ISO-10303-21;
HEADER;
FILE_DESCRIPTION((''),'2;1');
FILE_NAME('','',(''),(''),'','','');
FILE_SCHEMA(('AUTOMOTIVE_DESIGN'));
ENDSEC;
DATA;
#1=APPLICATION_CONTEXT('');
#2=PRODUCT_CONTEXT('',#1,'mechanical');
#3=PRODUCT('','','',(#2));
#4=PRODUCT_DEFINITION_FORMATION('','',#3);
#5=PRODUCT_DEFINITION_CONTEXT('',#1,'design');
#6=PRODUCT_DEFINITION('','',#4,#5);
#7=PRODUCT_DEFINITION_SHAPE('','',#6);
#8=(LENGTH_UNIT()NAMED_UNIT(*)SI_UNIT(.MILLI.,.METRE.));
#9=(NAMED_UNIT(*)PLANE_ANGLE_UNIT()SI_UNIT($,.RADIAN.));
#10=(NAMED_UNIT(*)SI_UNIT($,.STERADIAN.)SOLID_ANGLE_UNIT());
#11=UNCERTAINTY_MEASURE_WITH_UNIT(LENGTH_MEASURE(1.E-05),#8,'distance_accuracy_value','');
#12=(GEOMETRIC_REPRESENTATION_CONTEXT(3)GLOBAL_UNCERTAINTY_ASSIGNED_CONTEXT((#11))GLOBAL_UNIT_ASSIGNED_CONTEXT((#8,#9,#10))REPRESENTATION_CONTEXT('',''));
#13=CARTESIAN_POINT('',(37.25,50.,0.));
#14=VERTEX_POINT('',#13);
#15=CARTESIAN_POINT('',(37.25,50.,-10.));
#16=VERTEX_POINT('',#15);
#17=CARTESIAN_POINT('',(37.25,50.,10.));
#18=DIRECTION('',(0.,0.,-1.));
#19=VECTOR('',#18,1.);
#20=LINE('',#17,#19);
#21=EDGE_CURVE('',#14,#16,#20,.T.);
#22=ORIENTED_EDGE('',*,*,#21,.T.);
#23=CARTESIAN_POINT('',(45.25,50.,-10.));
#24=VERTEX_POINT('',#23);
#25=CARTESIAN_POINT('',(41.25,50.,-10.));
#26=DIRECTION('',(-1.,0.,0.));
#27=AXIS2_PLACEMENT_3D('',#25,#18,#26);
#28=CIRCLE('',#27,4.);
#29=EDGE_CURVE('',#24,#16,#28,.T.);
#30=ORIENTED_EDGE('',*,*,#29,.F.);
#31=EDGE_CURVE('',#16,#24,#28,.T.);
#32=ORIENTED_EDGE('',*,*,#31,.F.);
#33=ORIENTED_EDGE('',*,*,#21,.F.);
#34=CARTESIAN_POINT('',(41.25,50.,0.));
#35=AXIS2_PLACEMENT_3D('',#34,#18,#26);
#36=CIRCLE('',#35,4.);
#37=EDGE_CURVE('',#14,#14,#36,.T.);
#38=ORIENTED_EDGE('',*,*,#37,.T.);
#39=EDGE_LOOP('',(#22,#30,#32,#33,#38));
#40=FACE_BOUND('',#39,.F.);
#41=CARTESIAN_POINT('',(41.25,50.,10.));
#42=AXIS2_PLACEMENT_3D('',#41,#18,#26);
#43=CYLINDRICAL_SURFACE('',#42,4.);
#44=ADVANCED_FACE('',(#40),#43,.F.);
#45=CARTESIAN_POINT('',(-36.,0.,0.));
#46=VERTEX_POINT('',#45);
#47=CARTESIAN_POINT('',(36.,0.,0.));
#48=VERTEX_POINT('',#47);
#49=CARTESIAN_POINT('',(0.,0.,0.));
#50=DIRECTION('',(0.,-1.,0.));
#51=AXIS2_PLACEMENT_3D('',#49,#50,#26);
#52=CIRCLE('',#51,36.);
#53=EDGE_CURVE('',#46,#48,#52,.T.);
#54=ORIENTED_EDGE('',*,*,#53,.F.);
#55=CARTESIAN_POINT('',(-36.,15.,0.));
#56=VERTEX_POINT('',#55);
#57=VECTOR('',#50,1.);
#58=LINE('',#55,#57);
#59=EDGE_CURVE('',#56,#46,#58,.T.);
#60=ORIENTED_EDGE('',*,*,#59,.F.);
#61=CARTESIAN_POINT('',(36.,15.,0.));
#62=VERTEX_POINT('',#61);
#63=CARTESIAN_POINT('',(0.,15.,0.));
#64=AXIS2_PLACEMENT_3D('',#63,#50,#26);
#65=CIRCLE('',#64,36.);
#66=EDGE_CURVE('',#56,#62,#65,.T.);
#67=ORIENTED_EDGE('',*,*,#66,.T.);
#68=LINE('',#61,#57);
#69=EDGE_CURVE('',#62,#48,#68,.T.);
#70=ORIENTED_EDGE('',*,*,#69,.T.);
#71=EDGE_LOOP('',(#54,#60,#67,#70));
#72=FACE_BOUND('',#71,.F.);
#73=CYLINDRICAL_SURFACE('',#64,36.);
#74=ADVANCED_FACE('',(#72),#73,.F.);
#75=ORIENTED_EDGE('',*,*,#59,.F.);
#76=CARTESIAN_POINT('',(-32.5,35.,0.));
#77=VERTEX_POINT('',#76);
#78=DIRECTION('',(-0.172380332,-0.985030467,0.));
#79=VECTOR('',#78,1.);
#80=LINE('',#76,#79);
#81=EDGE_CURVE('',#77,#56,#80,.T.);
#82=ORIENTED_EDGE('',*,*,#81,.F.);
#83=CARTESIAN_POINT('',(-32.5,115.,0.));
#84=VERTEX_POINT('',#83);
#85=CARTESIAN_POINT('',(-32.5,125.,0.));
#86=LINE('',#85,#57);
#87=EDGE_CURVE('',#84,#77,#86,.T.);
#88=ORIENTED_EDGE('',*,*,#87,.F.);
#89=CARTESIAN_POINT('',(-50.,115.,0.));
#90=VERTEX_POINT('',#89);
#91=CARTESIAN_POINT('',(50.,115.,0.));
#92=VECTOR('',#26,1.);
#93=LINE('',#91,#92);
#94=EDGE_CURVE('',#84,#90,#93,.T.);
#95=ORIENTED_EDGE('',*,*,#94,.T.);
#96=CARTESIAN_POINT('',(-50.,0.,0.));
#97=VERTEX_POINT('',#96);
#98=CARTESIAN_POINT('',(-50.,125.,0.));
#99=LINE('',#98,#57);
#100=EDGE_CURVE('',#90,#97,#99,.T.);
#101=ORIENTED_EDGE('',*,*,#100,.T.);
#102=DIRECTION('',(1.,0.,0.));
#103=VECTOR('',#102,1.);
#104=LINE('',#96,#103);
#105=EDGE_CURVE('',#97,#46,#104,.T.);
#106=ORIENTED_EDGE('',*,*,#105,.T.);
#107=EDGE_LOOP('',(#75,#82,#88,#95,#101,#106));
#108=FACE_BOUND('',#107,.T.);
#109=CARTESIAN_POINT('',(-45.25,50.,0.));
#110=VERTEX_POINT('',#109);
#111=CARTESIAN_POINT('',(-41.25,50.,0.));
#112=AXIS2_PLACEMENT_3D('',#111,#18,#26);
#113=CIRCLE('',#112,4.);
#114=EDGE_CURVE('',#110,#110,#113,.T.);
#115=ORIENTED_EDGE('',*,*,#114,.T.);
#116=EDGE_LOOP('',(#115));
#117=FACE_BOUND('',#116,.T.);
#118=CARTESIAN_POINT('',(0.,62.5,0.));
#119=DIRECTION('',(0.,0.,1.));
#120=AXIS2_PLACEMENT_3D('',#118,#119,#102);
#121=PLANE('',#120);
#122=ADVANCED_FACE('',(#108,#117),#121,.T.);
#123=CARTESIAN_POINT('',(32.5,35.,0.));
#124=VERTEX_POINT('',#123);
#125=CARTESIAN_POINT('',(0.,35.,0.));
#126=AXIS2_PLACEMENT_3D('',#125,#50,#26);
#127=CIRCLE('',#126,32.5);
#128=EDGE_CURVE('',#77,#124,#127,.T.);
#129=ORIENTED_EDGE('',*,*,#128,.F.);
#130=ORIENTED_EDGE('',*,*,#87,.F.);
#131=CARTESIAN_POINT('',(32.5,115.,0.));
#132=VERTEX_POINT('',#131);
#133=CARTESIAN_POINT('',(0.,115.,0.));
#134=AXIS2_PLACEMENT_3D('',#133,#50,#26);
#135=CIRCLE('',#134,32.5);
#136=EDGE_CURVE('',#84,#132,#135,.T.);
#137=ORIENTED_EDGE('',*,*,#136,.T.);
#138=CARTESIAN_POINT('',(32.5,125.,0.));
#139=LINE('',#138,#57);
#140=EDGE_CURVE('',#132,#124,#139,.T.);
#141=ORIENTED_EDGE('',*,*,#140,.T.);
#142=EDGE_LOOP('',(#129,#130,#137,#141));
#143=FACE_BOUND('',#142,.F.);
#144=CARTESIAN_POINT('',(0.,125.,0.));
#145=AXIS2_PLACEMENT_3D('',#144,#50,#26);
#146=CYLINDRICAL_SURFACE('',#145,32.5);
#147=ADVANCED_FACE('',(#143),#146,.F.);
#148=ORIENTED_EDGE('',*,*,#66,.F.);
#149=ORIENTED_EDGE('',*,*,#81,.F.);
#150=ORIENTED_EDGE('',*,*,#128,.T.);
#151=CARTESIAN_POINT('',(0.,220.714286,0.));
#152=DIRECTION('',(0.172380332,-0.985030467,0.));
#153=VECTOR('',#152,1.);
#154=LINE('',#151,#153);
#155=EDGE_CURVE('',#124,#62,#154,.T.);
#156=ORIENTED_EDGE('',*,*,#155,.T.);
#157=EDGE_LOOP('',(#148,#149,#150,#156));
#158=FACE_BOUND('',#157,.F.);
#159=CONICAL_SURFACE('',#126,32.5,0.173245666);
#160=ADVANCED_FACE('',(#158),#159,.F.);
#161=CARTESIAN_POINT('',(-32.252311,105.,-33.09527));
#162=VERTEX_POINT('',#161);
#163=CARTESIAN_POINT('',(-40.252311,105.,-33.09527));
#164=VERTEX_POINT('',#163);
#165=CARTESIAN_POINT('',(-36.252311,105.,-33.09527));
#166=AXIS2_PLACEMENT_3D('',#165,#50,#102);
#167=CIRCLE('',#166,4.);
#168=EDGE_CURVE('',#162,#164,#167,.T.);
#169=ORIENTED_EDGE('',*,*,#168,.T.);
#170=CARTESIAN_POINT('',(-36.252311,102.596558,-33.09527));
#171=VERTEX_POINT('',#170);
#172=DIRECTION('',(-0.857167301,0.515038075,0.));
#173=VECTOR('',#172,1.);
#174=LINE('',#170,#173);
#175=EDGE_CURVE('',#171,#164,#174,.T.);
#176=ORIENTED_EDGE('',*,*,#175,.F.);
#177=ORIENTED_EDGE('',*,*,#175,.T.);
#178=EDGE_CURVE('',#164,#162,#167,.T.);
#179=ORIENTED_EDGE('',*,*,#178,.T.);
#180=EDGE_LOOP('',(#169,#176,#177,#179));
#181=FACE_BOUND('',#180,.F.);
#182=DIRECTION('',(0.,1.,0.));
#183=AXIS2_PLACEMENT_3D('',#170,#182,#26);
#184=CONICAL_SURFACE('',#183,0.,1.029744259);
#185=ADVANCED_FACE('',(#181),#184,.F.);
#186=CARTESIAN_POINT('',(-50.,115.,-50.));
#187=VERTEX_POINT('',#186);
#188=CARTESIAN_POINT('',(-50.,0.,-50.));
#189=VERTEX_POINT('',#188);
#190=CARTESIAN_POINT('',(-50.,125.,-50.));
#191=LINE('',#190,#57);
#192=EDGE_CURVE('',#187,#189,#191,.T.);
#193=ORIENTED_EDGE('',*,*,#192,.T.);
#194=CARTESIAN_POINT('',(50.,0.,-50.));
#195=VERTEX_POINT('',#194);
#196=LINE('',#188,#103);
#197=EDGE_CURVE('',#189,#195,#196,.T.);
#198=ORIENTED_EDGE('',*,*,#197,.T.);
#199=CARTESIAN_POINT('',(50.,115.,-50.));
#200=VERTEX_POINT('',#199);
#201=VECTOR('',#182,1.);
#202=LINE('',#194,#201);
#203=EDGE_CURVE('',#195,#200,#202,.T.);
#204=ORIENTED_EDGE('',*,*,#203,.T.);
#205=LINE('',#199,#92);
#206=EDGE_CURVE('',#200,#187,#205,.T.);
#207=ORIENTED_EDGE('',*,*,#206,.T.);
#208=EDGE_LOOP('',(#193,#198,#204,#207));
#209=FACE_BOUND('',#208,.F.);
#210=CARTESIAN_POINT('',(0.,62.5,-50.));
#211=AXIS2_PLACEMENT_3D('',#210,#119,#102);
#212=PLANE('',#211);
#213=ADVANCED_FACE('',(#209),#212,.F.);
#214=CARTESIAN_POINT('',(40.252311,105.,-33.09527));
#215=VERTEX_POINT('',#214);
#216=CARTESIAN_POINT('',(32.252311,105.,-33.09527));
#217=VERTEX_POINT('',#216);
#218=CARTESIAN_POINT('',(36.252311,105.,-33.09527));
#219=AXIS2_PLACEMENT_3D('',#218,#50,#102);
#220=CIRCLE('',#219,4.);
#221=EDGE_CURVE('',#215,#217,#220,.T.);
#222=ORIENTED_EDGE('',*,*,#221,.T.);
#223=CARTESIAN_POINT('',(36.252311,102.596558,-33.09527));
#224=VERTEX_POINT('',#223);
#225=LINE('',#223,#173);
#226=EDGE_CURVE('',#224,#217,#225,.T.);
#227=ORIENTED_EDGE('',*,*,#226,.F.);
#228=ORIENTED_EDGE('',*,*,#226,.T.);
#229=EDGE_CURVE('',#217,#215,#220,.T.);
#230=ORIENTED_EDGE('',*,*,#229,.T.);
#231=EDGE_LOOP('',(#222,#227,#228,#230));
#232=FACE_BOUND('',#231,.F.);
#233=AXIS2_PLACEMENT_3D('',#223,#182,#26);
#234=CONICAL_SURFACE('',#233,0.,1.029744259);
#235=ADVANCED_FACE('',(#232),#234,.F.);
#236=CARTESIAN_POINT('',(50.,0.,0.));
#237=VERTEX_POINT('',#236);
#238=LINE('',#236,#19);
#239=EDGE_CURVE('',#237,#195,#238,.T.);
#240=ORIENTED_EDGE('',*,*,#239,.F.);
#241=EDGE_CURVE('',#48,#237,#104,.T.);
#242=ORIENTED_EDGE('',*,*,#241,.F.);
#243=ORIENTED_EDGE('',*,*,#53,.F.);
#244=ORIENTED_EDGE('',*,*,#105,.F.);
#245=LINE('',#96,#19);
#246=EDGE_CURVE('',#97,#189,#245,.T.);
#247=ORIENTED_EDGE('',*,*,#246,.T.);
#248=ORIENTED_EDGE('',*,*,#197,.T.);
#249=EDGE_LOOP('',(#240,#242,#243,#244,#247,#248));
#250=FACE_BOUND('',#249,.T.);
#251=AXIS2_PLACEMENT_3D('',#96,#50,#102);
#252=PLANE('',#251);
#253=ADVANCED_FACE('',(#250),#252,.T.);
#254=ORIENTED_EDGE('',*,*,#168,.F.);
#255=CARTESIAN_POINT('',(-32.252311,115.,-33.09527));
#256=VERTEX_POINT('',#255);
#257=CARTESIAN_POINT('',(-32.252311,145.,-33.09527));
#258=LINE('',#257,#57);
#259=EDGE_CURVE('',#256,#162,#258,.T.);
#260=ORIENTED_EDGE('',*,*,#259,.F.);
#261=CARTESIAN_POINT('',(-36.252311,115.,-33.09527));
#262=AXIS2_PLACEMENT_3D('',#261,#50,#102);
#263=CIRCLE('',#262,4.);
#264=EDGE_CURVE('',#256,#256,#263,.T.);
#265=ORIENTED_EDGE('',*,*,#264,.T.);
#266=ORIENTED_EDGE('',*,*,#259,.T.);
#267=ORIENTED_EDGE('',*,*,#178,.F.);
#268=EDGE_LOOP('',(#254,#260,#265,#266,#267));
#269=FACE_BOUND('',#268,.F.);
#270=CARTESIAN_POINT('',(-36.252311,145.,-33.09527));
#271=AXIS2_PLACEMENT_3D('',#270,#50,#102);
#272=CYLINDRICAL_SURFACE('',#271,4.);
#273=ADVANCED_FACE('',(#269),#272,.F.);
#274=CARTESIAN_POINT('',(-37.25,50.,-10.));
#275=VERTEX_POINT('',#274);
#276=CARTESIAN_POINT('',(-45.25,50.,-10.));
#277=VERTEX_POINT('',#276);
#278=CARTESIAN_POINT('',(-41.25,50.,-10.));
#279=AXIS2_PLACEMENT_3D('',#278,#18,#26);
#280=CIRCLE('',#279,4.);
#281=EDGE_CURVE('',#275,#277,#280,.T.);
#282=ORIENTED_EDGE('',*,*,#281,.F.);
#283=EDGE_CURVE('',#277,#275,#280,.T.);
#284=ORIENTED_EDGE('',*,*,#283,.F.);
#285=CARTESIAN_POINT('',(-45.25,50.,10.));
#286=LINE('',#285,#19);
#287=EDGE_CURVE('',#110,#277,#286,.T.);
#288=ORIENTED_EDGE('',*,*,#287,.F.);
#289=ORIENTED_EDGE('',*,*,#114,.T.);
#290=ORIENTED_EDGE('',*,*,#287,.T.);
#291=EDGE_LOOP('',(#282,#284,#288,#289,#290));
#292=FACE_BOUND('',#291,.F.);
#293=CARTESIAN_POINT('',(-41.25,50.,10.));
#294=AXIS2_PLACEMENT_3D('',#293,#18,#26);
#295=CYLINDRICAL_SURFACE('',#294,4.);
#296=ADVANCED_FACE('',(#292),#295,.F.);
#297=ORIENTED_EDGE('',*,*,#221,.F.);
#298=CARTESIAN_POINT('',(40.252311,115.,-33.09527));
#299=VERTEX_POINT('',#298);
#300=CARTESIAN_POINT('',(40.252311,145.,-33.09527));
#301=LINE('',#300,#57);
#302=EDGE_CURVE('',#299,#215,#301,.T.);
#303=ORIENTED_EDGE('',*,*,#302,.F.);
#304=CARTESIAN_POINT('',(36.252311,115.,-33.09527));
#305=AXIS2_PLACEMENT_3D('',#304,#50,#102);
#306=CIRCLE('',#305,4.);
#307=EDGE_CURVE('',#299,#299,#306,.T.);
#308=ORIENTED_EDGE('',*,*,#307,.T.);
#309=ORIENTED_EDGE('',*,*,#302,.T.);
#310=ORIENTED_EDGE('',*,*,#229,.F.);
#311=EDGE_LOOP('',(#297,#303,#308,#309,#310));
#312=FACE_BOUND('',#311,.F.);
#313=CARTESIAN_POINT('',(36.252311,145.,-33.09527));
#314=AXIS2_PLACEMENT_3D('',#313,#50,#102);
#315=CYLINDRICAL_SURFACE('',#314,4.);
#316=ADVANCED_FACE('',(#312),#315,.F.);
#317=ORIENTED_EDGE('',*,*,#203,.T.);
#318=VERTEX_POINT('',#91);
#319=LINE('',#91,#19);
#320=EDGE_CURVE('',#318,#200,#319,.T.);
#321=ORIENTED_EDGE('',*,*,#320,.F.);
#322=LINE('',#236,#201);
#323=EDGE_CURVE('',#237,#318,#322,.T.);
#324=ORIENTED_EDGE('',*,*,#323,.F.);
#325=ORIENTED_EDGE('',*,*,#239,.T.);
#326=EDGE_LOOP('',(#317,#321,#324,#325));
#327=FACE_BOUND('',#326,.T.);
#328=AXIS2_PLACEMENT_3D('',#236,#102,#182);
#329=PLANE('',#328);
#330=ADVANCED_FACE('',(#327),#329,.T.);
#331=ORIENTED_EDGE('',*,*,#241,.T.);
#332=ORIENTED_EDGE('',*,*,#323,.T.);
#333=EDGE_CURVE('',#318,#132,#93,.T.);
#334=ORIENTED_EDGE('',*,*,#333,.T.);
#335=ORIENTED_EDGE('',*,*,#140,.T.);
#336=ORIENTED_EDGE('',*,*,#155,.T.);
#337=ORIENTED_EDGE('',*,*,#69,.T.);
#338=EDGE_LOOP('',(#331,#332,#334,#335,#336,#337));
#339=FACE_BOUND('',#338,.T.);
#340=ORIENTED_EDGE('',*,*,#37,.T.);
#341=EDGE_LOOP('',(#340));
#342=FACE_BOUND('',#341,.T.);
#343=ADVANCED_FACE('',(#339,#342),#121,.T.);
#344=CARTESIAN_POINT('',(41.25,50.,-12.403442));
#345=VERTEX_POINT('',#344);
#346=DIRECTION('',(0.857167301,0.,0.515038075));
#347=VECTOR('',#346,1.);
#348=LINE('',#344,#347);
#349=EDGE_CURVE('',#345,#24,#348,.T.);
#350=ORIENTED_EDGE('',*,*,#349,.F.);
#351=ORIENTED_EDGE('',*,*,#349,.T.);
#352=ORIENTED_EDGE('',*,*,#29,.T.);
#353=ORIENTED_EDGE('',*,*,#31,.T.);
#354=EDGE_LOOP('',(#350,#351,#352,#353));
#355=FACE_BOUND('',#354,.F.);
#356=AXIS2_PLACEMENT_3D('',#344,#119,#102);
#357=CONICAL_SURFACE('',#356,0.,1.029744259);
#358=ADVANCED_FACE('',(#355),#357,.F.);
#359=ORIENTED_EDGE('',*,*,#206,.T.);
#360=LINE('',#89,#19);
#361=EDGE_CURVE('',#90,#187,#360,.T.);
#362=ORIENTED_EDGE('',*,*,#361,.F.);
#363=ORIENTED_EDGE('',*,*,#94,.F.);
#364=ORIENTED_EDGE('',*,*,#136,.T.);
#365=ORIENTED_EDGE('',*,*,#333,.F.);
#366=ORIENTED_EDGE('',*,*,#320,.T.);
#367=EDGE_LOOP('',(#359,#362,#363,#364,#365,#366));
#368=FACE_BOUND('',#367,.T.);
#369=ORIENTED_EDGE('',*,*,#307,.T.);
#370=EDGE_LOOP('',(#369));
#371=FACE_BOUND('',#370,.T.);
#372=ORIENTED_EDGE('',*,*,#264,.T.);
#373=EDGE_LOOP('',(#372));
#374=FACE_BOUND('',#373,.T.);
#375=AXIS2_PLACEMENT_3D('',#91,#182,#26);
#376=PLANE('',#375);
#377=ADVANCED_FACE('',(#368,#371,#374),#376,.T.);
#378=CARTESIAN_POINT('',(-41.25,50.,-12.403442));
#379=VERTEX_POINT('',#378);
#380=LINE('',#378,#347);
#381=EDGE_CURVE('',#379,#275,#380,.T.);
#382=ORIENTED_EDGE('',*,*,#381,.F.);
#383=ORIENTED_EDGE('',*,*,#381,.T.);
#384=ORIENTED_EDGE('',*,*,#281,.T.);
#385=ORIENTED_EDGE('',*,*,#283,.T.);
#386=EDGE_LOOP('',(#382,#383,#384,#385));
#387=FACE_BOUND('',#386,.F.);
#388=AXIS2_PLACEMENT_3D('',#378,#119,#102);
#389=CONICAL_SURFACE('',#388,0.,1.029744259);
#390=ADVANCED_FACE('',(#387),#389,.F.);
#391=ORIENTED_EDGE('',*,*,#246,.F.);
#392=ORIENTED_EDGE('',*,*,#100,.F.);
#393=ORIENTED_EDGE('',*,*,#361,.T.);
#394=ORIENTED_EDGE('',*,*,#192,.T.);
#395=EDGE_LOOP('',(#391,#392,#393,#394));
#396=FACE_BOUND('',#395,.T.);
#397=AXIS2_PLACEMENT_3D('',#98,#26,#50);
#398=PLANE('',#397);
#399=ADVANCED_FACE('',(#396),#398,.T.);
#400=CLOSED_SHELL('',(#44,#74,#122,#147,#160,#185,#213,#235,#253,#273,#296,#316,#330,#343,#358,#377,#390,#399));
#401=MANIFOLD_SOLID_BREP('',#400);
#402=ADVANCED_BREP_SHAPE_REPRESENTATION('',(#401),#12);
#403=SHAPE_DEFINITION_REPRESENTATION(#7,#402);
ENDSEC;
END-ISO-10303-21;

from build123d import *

# Parameters (mm, degrees)
F2_DEPTH = 50
F5_D     = 8
F5_DEPTH = 10
F5_TIP   = 2.4034424761
F7_D     = 8
F7_DEPTH = 20
F7_TIP   = 2.4034424761
F8_DEPTH = 10


with BuildPart() as f2:
    # F1 (on Top) → F2 (new body)
    with BuildSketch(Plane.XY):
        Polygon((-50, 0), (0, 0), (50, 0), (50, 125), (-50, 125), align=None)
    extrude(amount=-F2_DEPTH)

    # F0 (on Top) → F3 (revolve, cut)
    with BuildSketch(Plane.XY):
        Polygon((-36, 0), (0, 0), (0, 125), (-32.5, 125), (-32.5, 35), (-36, 15), align=None)
    revolve(axis=Axis((0, 62.5, 0), (0, -1, 0)), mode=Mode.SUBTRACT)

    # F5
    with Locations(Plane.XY):
        with Locations((-41.25, 50), (41.25, 50)):
            Hole(F5_D / 2, depth=F5_DEPTH)
            with Locations((0, 0, -(F5_DEPTH + F5_TIP / 2))):  # 118° drill point
                Cone(0, F5_D / 2, F5_TIP, mode=Mode.SUBTRACT)

    # F7
    with Locations(Plane(origin=(0, 125, 0), x_dir=(-1, 0, 0), z_dir=(0, 1, 0))):
        with Locations((-36.2523114815, -33.0952695304), (36.2523114815, -33.0952695304)):
            Hole(F7_D / 2, depth=F7_DEPTH)
            with Locations((0, 0, -(F7_DEPTH + F7_TIP / 2))):  # 118° drill point
                Cone(0, F7_D / 2, F7_TIP, mode=Mode.SUBTRACT)

    # F8 (cut): a face of the model
    f8_faces = [f2.faces().sort_by_distance(p)[0] for p in [
        (41.25, 125, -1.1180339887),
    ]]
    extrude(f8_faces, amount=-F8_DEPTH, mode=Mode.SUBTRACT)


solid = f2.part
